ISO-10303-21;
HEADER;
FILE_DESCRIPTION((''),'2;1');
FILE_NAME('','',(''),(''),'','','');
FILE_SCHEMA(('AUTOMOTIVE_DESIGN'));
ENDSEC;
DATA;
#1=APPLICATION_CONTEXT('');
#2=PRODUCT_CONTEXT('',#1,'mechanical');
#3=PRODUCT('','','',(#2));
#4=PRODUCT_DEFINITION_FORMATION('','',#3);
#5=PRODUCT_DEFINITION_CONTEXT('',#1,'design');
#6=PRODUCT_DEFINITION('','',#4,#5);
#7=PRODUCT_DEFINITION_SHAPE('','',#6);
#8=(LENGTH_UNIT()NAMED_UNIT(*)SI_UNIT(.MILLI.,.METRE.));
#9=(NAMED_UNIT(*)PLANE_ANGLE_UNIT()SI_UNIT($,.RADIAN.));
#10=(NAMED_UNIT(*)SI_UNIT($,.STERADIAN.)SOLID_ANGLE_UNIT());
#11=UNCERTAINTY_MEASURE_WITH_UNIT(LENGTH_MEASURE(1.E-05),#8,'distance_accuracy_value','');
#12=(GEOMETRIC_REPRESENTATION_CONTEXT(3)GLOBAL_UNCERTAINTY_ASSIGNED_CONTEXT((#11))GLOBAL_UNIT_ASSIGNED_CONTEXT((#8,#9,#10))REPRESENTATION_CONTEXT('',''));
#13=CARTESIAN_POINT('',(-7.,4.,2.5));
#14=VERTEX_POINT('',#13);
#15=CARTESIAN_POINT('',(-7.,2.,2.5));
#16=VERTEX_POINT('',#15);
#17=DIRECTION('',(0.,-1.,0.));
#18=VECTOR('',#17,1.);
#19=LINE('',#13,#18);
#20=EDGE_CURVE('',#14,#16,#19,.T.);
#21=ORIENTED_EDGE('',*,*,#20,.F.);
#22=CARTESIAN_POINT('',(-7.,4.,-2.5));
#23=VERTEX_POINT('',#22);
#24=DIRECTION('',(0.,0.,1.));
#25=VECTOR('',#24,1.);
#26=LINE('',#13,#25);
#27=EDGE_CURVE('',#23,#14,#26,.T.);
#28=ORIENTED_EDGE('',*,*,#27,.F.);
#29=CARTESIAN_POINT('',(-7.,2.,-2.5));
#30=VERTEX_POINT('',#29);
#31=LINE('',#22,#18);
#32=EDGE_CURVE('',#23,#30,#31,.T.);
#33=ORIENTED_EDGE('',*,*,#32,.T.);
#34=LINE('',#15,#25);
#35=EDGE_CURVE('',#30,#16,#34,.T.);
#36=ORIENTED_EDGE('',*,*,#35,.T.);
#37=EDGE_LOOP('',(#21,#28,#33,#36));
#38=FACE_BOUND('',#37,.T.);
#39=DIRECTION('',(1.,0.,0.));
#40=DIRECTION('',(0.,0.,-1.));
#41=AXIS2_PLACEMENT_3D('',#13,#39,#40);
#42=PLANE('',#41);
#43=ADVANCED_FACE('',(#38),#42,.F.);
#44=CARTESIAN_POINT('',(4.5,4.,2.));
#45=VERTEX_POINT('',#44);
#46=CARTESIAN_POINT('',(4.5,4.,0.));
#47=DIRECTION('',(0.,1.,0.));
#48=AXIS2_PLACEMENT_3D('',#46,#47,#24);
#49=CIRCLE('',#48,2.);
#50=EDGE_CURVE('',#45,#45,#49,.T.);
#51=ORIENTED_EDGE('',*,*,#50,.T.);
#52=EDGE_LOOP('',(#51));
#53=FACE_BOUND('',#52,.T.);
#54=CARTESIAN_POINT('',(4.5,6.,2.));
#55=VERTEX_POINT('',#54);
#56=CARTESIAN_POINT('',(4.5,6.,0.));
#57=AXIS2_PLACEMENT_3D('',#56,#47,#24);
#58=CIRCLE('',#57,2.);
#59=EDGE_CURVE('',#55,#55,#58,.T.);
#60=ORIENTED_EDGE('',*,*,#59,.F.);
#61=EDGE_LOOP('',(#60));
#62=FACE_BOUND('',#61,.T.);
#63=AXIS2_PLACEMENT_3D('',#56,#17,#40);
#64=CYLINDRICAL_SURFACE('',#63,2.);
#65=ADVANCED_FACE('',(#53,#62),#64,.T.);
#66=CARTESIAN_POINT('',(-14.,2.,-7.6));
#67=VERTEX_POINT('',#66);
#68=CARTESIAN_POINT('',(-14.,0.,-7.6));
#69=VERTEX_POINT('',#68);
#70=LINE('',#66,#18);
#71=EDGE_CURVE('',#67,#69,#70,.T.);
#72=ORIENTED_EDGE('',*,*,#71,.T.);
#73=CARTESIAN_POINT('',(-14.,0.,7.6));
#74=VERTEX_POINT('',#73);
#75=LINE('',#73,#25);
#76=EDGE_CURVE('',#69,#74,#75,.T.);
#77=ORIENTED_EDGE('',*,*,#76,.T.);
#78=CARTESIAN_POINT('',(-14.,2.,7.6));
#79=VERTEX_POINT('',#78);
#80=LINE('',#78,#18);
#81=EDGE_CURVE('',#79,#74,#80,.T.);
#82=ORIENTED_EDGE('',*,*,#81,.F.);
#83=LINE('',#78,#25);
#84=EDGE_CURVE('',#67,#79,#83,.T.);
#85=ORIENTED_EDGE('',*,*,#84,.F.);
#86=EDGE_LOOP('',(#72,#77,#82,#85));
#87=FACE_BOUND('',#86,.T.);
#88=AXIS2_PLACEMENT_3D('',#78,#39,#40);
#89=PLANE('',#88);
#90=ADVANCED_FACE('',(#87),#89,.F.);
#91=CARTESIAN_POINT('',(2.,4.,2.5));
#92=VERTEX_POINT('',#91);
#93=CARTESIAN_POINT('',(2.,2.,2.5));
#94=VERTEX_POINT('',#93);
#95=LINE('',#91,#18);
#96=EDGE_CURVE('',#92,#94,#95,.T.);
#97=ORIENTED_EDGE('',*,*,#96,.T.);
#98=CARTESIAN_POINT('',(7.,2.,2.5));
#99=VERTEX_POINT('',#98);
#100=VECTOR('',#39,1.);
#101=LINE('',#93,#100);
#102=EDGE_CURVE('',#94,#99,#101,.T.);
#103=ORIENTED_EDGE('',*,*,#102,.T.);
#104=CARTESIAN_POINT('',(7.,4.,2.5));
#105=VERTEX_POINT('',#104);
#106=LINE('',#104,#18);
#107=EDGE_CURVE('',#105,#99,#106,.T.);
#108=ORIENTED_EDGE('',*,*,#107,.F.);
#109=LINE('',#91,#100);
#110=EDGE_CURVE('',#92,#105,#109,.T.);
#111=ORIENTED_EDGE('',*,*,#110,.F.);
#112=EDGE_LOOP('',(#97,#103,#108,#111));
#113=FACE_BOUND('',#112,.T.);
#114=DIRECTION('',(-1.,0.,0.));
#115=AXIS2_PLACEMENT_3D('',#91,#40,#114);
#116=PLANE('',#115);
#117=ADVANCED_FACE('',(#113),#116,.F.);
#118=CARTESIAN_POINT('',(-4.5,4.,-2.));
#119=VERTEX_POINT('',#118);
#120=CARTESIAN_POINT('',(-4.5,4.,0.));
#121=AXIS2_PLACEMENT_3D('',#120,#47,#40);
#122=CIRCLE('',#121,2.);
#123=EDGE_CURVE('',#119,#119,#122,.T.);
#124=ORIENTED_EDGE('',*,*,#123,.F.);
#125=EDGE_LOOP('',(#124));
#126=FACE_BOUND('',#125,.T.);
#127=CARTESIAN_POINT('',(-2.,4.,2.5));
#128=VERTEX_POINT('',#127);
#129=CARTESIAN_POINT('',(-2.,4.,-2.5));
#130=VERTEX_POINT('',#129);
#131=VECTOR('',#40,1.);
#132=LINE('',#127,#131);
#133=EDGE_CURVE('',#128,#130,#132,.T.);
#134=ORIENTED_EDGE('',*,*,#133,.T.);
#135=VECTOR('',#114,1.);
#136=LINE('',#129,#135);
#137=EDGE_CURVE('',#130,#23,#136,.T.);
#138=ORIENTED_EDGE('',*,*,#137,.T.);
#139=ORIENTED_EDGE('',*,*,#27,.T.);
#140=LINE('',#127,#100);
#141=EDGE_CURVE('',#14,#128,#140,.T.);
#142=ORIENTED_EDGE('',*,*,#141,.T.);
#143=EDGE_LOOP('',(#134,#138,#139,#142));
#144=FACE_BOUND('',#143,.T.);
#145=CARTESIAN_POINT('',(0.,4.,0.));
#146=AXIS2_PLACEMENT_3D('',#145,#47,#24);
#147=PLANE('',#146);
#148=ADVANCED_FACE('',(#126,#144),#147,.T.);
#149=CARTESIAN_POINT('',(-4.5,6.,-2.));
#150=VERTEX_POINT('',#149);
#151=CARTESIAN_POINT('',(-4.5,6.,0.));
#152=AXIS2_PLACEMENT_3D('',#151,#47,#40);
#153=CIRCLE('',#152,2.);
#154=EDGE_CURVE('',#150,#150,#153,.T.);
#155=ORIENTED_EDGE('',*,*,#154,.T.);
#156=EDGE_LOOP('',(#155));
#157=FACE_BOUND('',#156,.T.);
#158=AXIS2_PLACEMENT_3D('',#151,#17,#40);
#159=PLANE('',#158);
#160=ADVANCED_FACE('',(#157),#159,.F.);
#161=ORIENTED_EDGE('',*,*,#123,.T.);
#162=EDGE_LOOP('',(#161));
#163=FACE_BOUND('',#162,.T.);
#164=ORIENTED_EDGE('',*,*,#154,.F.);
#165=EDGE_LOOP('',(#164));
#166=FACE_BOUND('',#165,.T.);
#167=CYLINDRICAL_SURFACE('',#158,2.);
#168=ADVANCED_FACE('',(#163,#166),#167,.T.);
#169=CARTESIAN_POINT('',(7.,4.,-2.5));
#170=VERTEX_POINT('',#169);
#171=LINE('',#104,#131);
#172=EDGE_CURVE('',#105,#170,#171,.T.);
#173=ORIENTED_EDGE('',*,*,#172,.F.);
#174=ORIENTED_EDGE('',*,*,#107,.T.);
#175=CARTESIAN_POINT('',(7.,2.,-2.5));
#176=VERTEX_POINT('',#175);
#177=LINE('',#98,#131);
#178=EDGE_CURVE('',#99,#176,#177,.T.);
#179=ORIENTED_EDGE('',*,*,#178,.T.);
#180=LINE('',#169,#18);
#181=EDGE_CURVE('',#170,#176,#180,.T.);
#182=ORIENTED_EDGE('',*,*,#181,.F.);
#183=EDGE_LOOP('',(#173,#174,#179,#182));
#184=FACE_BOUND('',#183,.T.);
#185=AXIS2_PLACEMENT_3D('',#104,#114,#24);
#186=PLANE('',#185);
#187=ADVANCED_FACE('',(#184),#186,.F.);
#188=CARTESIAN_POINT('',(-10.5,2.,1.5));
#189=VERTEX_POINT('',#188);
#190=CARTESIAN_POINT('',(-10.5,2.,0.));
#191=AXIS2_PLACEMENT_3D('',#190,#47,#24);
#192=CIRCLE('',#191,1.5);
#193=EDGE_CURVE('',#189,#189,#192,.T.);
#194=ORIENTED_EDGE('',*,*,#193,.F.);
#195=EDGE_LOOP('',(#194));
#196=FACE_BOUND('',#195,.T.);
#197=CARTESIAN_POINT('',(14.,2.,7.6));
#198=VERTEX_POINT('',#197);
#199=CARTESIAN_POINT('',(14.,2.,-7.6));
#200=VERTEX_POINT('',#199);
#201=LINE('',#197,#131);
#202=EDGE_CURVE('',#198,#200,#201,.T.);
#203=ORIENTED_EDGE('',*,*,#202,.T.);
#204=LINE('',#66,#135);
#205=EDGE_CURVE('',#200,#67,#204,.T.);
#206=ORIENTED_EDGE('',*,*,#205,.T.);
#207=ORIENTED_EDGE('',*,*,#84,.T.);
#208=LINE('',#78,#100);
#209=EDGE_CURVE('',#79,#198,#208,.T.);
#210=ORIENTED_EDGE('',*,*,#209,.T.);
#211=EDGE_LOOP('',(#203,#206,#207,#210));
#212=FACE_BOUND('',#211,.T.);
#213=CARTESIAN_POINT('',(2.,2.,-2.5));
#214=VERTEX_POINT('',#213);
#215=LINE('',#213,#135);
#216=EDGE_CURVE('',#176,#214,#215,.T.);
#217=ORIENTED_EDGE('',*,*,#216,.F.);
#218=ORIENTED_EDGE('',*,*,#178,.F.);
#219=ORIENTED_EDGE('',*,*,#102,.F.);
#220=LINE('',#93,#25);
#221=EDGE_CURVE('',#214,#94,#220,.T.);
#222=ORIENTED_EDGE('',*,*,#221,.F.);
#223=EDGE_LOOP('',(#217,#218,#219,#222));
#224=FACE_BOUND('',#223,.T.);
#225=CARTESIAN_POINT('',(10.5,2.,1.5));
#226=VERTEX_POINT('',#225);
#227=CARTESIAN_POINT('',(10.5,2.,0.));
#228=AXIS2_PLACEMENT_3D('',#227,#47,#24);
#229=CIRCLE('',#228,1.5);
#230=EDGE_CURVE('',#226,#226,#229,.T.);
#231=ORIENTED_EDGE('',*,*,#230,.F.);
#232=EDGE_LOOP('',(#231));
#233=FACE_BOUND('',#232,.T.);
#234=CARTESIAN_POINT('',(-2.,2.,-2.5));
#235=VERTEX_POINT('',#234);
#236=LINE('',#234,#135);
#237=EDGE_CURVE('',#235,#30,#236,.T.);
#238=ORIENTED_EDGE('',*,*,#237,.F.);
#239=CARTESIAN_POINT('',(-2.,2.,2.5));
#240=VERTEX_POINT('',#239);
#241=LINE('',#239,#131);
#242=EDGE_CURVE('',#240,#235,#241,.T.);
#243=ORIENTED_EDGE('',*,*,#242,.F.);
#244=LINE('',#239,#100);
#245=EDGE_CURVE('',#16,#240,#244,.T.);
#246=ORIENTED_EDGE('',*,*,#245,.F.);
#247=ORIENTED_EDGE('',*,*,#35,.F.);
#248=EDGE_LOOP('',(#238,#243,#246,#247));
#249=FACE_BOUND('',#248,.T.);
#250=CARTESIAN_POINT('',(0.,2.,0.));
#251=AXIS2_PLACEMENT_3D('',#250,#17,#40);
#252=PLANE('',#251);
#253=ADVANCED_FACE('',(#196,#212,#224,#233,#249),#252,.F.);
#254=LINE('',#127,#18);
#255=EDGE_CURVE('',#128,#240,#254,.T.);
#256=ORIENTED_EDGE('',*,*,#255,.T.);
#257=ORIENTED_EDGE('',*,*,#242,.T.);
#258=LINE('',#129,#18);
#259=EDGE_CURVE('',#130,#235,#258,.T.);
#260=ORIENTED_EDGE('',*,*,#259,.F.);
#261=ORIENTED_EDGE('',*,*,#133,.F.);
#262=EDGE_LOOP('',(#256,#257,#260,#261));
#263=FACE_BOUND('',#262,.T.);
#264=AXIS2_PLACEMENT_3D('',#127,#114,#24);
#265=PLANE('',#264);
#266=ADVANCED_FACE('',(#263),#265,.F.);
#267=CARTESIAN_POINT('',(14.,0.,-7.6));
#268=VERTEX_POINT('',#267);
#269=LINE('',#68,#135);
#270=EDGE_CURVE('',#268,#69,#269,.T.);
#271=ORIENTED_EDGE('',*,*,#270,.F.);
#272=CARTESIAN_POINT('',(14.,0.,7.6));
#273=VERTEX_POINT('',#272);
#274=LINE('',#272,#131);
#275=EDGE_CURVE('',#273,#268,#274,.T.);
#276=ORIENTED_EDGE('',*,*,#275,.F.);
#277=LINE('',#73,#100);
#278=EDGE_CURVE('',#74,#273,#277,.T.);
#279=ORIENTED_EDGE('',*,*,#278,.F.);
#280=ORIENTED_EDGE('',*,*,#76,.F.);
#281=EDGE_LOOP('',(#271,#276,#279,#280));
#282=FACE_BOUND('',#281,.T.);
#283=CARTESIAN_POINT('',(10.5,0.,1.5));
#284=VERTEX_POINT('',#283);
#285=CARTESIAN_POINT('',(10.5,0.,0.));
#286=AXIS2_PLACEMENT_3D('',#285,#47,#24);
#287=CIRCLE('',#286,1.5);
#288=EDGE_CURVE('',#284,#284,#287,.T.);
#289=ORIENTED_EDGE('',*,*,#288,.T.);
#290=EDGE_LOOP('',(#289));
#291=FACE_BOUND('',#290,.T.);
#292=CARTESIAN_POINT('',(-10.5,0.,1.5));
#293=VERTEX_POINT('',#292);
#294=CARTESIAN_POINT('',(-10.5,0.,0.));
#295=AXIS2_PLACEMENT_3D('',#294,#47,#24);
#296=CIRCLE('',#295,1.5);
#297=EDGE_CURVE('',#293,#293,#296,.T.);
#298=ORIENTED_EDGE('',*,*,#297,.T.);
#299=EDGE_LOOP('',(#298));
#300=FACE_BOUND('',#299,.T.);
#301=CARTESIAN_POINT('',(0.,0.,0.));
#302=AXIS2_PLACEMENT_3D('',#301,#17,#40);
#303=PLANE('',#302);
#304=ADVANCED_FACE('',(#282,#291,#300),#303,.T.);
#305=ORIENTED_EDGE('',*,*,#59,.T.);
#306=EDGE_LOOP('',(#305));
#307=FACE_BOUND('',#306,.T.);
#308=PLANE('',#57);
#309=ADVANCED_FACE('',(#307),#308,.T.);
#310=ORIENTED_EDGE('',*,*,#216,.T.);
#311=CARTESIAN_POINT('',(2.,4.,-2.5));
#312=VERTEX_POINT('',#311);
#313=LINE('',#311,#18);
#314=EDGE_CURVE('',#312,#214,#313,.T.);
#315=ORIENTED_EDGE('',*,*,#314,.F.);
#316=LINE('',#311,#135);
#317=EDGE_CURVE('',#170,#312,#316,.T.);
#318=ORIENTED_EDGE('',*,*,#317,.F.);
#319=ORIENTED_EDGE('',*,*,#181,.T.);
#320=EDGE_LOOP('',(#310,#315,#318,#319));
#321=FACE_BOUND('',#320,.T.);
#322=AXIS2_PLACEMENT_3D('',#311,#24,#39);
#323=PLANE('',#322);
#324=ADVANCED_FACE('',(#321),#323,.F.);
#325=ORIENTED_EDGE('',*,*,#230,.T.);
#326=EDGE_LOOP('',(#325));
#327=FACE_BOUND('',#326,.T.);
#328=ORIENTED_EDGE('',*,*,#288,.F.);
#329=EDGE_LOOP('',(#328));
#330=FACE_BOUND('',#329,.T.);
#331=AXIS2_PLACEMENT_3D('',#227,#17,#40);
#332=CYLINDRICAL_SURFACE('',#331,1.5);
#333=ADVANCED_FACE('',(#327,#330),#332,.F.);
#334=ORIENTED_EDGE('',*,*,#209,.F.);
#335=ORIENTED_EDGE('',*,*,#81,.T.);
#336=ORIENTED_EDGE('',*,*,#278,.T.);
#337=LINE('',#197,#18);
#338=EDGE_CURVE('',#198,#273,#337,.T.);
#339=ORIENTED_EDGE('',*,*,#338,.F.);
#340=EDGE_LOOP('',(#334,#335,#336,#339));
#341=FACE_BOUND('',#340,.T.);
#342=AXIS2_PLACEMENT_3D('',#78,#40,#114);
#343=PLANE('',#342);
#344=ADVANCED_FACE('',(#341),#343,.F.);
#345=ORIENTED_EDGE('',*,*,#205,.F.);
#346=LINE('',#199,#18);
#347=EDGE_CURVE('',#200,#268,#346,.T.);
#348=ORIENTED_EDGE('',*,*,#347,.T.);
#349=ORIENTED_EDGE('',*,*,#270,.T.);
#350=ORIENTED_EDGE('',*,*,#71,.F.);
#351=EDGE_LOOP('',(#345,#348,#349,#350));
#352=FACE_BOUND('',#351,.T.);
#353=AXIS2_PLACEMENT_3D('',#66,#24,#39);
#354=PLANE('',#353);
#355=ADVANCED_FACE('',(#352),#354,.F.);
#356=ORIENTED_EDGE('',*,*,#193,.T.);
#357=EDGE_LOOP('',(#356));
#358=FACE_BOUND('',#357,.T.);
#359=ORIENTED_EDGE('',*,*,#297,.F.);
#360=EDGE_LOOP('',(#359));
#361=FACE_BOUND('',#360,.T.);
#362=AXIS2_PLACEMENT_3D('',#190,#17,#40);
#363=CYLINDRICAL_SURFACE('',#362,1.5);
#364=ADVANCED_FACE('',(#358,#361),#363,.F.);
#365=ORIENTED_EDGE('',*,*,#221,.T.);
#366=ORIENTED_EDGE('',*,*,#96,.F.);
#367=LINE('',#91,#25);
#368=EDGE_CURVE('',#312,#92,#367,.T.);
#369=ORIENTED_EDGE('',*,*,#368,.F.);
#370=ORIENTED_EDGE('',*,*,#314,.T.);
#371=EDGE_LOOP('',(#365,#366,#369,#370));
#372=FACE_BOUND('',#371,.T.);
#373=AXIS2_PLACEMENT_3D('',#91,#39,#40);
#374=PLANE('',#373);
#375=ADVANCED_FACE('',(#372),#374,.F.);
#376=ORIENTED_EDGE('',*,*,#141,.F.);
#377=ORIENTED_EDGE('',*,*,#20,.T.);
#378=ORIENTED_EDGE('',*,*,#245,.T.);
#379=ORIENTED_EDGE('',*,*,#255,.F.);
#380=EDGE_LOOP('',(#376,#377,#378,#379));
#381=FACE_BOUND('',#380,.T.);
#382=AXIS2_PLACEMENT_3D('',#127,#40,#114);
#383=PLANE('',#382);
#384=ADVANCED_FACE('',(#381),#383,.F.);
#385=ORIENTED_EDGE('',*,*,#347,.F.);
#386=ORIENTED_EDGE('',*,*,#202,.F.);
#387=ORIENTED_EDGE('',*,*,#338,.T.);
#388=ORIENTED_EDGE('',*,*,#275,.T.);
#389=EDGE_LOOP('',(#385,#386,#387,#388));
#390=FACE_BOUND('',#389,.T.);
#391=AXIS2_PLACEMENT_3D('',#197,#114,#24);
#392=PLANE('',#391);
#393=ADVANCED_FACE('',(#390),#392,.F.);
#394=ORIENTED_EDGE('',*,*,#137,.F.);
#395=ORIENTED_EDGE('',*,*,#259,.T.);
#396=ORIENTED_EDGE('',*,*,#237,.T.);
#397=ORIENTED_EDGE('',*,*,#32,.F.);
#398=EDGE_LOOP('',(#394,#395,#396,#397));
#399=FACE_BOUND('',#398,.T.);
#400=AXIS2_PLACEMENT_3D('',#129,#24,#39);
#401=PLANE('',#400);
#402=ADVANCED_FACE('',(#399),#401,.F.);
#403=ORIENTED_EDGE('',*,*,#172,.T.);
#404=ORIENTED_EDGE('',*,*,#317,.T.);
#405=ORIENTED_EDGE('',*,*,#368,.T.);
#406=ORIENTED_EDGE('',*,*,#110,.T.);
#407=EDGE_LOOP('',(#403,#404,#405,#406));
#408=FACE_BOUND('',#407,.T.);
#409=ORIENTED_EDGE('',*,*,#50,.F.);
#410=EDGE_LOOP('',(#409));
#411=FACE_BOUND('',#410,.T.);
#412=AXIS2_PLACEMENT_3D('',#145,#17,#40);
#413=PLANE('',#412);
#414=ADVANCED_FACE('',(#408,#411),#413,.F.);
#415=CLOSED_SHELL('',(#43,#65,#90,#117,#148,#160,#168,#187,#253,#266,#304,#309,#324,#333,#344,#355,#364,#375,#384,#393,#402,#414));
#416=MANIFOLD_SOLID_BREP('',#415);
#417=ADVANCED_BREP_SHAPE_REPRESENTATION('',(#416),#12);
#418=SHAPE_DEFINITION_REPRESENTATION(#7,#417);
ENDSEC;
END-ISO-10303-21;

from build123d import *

# Parameters (mm, degrees)
SKETCH_1_W      = 28
SKETCH_1_H      = 15.2
SKETCH_1_R      = 1.5
EXTRUDE_1_DEPTH = 2
SKETCH_2_W      = 5
SKETCH_2_H      = 5
EXTRUDE_2_DEPTH = 2
SKETCH_3_R      = 2
EXTRUDE_3_DEPTH = 2


with BuildPart() as part:
    # 草图1 → 凸台-拉伸1 (new body)
    with BuildSketch(Plane(origin=(0, 0, 0), x_dir=(1, 0, 0), z_dir=(0, 1, 0))):
        Rectangle(SKETCH_1_W, SKETCH_1_H)
        with Locations(Location((10.5, 0, 0), (0, 0, 270))):
            Circle(SKETCH_1_R, mode=Mode.SUBTRACT)
        with Locations(Location((-10.5, 0, 0), (0, 0, 270))):
            Circle(SKETCH_1_R, mode=Mode.SUBTRACT)
    extrude(amount=EXTRUDE_1_DEPTH)

    # 草图2 → 凸台-拉伸2 (add)
    with BuildSketch(Plane(origin=(0, 2, 0), x_dir=(1, 0, 0), z_dir=(0, 1, 0))):
        with Locations((4.5, 0)):
            Rectangle(SKETCH_2_W, SKETCH_2_H)
        with Locations((-4.5, 0)):
            Rectangle(SKETCH_2_W, SKETCH_2_H)
    extrude(amount=EXTRUDE_2_DEPTH)

    # 草图3 → 凸台-拉伸3 (add)
    with BuildSketch(Plane(origin=(0, 4, 0), x_dir=(1, 0, 0), z_dir=(0, 1, 0))):
        with Locations(Location((4.5, 0, 0), (0, 0, 270))):
            Circle(SKETCH_3_R)
        with Locations(Location((-4.5, 0, 0), (0, 0, 90))):
            Circle(SKETCH_3_R)
    extrude(amount=EXTRUDE_3_DEPTH)


solid = part.part
